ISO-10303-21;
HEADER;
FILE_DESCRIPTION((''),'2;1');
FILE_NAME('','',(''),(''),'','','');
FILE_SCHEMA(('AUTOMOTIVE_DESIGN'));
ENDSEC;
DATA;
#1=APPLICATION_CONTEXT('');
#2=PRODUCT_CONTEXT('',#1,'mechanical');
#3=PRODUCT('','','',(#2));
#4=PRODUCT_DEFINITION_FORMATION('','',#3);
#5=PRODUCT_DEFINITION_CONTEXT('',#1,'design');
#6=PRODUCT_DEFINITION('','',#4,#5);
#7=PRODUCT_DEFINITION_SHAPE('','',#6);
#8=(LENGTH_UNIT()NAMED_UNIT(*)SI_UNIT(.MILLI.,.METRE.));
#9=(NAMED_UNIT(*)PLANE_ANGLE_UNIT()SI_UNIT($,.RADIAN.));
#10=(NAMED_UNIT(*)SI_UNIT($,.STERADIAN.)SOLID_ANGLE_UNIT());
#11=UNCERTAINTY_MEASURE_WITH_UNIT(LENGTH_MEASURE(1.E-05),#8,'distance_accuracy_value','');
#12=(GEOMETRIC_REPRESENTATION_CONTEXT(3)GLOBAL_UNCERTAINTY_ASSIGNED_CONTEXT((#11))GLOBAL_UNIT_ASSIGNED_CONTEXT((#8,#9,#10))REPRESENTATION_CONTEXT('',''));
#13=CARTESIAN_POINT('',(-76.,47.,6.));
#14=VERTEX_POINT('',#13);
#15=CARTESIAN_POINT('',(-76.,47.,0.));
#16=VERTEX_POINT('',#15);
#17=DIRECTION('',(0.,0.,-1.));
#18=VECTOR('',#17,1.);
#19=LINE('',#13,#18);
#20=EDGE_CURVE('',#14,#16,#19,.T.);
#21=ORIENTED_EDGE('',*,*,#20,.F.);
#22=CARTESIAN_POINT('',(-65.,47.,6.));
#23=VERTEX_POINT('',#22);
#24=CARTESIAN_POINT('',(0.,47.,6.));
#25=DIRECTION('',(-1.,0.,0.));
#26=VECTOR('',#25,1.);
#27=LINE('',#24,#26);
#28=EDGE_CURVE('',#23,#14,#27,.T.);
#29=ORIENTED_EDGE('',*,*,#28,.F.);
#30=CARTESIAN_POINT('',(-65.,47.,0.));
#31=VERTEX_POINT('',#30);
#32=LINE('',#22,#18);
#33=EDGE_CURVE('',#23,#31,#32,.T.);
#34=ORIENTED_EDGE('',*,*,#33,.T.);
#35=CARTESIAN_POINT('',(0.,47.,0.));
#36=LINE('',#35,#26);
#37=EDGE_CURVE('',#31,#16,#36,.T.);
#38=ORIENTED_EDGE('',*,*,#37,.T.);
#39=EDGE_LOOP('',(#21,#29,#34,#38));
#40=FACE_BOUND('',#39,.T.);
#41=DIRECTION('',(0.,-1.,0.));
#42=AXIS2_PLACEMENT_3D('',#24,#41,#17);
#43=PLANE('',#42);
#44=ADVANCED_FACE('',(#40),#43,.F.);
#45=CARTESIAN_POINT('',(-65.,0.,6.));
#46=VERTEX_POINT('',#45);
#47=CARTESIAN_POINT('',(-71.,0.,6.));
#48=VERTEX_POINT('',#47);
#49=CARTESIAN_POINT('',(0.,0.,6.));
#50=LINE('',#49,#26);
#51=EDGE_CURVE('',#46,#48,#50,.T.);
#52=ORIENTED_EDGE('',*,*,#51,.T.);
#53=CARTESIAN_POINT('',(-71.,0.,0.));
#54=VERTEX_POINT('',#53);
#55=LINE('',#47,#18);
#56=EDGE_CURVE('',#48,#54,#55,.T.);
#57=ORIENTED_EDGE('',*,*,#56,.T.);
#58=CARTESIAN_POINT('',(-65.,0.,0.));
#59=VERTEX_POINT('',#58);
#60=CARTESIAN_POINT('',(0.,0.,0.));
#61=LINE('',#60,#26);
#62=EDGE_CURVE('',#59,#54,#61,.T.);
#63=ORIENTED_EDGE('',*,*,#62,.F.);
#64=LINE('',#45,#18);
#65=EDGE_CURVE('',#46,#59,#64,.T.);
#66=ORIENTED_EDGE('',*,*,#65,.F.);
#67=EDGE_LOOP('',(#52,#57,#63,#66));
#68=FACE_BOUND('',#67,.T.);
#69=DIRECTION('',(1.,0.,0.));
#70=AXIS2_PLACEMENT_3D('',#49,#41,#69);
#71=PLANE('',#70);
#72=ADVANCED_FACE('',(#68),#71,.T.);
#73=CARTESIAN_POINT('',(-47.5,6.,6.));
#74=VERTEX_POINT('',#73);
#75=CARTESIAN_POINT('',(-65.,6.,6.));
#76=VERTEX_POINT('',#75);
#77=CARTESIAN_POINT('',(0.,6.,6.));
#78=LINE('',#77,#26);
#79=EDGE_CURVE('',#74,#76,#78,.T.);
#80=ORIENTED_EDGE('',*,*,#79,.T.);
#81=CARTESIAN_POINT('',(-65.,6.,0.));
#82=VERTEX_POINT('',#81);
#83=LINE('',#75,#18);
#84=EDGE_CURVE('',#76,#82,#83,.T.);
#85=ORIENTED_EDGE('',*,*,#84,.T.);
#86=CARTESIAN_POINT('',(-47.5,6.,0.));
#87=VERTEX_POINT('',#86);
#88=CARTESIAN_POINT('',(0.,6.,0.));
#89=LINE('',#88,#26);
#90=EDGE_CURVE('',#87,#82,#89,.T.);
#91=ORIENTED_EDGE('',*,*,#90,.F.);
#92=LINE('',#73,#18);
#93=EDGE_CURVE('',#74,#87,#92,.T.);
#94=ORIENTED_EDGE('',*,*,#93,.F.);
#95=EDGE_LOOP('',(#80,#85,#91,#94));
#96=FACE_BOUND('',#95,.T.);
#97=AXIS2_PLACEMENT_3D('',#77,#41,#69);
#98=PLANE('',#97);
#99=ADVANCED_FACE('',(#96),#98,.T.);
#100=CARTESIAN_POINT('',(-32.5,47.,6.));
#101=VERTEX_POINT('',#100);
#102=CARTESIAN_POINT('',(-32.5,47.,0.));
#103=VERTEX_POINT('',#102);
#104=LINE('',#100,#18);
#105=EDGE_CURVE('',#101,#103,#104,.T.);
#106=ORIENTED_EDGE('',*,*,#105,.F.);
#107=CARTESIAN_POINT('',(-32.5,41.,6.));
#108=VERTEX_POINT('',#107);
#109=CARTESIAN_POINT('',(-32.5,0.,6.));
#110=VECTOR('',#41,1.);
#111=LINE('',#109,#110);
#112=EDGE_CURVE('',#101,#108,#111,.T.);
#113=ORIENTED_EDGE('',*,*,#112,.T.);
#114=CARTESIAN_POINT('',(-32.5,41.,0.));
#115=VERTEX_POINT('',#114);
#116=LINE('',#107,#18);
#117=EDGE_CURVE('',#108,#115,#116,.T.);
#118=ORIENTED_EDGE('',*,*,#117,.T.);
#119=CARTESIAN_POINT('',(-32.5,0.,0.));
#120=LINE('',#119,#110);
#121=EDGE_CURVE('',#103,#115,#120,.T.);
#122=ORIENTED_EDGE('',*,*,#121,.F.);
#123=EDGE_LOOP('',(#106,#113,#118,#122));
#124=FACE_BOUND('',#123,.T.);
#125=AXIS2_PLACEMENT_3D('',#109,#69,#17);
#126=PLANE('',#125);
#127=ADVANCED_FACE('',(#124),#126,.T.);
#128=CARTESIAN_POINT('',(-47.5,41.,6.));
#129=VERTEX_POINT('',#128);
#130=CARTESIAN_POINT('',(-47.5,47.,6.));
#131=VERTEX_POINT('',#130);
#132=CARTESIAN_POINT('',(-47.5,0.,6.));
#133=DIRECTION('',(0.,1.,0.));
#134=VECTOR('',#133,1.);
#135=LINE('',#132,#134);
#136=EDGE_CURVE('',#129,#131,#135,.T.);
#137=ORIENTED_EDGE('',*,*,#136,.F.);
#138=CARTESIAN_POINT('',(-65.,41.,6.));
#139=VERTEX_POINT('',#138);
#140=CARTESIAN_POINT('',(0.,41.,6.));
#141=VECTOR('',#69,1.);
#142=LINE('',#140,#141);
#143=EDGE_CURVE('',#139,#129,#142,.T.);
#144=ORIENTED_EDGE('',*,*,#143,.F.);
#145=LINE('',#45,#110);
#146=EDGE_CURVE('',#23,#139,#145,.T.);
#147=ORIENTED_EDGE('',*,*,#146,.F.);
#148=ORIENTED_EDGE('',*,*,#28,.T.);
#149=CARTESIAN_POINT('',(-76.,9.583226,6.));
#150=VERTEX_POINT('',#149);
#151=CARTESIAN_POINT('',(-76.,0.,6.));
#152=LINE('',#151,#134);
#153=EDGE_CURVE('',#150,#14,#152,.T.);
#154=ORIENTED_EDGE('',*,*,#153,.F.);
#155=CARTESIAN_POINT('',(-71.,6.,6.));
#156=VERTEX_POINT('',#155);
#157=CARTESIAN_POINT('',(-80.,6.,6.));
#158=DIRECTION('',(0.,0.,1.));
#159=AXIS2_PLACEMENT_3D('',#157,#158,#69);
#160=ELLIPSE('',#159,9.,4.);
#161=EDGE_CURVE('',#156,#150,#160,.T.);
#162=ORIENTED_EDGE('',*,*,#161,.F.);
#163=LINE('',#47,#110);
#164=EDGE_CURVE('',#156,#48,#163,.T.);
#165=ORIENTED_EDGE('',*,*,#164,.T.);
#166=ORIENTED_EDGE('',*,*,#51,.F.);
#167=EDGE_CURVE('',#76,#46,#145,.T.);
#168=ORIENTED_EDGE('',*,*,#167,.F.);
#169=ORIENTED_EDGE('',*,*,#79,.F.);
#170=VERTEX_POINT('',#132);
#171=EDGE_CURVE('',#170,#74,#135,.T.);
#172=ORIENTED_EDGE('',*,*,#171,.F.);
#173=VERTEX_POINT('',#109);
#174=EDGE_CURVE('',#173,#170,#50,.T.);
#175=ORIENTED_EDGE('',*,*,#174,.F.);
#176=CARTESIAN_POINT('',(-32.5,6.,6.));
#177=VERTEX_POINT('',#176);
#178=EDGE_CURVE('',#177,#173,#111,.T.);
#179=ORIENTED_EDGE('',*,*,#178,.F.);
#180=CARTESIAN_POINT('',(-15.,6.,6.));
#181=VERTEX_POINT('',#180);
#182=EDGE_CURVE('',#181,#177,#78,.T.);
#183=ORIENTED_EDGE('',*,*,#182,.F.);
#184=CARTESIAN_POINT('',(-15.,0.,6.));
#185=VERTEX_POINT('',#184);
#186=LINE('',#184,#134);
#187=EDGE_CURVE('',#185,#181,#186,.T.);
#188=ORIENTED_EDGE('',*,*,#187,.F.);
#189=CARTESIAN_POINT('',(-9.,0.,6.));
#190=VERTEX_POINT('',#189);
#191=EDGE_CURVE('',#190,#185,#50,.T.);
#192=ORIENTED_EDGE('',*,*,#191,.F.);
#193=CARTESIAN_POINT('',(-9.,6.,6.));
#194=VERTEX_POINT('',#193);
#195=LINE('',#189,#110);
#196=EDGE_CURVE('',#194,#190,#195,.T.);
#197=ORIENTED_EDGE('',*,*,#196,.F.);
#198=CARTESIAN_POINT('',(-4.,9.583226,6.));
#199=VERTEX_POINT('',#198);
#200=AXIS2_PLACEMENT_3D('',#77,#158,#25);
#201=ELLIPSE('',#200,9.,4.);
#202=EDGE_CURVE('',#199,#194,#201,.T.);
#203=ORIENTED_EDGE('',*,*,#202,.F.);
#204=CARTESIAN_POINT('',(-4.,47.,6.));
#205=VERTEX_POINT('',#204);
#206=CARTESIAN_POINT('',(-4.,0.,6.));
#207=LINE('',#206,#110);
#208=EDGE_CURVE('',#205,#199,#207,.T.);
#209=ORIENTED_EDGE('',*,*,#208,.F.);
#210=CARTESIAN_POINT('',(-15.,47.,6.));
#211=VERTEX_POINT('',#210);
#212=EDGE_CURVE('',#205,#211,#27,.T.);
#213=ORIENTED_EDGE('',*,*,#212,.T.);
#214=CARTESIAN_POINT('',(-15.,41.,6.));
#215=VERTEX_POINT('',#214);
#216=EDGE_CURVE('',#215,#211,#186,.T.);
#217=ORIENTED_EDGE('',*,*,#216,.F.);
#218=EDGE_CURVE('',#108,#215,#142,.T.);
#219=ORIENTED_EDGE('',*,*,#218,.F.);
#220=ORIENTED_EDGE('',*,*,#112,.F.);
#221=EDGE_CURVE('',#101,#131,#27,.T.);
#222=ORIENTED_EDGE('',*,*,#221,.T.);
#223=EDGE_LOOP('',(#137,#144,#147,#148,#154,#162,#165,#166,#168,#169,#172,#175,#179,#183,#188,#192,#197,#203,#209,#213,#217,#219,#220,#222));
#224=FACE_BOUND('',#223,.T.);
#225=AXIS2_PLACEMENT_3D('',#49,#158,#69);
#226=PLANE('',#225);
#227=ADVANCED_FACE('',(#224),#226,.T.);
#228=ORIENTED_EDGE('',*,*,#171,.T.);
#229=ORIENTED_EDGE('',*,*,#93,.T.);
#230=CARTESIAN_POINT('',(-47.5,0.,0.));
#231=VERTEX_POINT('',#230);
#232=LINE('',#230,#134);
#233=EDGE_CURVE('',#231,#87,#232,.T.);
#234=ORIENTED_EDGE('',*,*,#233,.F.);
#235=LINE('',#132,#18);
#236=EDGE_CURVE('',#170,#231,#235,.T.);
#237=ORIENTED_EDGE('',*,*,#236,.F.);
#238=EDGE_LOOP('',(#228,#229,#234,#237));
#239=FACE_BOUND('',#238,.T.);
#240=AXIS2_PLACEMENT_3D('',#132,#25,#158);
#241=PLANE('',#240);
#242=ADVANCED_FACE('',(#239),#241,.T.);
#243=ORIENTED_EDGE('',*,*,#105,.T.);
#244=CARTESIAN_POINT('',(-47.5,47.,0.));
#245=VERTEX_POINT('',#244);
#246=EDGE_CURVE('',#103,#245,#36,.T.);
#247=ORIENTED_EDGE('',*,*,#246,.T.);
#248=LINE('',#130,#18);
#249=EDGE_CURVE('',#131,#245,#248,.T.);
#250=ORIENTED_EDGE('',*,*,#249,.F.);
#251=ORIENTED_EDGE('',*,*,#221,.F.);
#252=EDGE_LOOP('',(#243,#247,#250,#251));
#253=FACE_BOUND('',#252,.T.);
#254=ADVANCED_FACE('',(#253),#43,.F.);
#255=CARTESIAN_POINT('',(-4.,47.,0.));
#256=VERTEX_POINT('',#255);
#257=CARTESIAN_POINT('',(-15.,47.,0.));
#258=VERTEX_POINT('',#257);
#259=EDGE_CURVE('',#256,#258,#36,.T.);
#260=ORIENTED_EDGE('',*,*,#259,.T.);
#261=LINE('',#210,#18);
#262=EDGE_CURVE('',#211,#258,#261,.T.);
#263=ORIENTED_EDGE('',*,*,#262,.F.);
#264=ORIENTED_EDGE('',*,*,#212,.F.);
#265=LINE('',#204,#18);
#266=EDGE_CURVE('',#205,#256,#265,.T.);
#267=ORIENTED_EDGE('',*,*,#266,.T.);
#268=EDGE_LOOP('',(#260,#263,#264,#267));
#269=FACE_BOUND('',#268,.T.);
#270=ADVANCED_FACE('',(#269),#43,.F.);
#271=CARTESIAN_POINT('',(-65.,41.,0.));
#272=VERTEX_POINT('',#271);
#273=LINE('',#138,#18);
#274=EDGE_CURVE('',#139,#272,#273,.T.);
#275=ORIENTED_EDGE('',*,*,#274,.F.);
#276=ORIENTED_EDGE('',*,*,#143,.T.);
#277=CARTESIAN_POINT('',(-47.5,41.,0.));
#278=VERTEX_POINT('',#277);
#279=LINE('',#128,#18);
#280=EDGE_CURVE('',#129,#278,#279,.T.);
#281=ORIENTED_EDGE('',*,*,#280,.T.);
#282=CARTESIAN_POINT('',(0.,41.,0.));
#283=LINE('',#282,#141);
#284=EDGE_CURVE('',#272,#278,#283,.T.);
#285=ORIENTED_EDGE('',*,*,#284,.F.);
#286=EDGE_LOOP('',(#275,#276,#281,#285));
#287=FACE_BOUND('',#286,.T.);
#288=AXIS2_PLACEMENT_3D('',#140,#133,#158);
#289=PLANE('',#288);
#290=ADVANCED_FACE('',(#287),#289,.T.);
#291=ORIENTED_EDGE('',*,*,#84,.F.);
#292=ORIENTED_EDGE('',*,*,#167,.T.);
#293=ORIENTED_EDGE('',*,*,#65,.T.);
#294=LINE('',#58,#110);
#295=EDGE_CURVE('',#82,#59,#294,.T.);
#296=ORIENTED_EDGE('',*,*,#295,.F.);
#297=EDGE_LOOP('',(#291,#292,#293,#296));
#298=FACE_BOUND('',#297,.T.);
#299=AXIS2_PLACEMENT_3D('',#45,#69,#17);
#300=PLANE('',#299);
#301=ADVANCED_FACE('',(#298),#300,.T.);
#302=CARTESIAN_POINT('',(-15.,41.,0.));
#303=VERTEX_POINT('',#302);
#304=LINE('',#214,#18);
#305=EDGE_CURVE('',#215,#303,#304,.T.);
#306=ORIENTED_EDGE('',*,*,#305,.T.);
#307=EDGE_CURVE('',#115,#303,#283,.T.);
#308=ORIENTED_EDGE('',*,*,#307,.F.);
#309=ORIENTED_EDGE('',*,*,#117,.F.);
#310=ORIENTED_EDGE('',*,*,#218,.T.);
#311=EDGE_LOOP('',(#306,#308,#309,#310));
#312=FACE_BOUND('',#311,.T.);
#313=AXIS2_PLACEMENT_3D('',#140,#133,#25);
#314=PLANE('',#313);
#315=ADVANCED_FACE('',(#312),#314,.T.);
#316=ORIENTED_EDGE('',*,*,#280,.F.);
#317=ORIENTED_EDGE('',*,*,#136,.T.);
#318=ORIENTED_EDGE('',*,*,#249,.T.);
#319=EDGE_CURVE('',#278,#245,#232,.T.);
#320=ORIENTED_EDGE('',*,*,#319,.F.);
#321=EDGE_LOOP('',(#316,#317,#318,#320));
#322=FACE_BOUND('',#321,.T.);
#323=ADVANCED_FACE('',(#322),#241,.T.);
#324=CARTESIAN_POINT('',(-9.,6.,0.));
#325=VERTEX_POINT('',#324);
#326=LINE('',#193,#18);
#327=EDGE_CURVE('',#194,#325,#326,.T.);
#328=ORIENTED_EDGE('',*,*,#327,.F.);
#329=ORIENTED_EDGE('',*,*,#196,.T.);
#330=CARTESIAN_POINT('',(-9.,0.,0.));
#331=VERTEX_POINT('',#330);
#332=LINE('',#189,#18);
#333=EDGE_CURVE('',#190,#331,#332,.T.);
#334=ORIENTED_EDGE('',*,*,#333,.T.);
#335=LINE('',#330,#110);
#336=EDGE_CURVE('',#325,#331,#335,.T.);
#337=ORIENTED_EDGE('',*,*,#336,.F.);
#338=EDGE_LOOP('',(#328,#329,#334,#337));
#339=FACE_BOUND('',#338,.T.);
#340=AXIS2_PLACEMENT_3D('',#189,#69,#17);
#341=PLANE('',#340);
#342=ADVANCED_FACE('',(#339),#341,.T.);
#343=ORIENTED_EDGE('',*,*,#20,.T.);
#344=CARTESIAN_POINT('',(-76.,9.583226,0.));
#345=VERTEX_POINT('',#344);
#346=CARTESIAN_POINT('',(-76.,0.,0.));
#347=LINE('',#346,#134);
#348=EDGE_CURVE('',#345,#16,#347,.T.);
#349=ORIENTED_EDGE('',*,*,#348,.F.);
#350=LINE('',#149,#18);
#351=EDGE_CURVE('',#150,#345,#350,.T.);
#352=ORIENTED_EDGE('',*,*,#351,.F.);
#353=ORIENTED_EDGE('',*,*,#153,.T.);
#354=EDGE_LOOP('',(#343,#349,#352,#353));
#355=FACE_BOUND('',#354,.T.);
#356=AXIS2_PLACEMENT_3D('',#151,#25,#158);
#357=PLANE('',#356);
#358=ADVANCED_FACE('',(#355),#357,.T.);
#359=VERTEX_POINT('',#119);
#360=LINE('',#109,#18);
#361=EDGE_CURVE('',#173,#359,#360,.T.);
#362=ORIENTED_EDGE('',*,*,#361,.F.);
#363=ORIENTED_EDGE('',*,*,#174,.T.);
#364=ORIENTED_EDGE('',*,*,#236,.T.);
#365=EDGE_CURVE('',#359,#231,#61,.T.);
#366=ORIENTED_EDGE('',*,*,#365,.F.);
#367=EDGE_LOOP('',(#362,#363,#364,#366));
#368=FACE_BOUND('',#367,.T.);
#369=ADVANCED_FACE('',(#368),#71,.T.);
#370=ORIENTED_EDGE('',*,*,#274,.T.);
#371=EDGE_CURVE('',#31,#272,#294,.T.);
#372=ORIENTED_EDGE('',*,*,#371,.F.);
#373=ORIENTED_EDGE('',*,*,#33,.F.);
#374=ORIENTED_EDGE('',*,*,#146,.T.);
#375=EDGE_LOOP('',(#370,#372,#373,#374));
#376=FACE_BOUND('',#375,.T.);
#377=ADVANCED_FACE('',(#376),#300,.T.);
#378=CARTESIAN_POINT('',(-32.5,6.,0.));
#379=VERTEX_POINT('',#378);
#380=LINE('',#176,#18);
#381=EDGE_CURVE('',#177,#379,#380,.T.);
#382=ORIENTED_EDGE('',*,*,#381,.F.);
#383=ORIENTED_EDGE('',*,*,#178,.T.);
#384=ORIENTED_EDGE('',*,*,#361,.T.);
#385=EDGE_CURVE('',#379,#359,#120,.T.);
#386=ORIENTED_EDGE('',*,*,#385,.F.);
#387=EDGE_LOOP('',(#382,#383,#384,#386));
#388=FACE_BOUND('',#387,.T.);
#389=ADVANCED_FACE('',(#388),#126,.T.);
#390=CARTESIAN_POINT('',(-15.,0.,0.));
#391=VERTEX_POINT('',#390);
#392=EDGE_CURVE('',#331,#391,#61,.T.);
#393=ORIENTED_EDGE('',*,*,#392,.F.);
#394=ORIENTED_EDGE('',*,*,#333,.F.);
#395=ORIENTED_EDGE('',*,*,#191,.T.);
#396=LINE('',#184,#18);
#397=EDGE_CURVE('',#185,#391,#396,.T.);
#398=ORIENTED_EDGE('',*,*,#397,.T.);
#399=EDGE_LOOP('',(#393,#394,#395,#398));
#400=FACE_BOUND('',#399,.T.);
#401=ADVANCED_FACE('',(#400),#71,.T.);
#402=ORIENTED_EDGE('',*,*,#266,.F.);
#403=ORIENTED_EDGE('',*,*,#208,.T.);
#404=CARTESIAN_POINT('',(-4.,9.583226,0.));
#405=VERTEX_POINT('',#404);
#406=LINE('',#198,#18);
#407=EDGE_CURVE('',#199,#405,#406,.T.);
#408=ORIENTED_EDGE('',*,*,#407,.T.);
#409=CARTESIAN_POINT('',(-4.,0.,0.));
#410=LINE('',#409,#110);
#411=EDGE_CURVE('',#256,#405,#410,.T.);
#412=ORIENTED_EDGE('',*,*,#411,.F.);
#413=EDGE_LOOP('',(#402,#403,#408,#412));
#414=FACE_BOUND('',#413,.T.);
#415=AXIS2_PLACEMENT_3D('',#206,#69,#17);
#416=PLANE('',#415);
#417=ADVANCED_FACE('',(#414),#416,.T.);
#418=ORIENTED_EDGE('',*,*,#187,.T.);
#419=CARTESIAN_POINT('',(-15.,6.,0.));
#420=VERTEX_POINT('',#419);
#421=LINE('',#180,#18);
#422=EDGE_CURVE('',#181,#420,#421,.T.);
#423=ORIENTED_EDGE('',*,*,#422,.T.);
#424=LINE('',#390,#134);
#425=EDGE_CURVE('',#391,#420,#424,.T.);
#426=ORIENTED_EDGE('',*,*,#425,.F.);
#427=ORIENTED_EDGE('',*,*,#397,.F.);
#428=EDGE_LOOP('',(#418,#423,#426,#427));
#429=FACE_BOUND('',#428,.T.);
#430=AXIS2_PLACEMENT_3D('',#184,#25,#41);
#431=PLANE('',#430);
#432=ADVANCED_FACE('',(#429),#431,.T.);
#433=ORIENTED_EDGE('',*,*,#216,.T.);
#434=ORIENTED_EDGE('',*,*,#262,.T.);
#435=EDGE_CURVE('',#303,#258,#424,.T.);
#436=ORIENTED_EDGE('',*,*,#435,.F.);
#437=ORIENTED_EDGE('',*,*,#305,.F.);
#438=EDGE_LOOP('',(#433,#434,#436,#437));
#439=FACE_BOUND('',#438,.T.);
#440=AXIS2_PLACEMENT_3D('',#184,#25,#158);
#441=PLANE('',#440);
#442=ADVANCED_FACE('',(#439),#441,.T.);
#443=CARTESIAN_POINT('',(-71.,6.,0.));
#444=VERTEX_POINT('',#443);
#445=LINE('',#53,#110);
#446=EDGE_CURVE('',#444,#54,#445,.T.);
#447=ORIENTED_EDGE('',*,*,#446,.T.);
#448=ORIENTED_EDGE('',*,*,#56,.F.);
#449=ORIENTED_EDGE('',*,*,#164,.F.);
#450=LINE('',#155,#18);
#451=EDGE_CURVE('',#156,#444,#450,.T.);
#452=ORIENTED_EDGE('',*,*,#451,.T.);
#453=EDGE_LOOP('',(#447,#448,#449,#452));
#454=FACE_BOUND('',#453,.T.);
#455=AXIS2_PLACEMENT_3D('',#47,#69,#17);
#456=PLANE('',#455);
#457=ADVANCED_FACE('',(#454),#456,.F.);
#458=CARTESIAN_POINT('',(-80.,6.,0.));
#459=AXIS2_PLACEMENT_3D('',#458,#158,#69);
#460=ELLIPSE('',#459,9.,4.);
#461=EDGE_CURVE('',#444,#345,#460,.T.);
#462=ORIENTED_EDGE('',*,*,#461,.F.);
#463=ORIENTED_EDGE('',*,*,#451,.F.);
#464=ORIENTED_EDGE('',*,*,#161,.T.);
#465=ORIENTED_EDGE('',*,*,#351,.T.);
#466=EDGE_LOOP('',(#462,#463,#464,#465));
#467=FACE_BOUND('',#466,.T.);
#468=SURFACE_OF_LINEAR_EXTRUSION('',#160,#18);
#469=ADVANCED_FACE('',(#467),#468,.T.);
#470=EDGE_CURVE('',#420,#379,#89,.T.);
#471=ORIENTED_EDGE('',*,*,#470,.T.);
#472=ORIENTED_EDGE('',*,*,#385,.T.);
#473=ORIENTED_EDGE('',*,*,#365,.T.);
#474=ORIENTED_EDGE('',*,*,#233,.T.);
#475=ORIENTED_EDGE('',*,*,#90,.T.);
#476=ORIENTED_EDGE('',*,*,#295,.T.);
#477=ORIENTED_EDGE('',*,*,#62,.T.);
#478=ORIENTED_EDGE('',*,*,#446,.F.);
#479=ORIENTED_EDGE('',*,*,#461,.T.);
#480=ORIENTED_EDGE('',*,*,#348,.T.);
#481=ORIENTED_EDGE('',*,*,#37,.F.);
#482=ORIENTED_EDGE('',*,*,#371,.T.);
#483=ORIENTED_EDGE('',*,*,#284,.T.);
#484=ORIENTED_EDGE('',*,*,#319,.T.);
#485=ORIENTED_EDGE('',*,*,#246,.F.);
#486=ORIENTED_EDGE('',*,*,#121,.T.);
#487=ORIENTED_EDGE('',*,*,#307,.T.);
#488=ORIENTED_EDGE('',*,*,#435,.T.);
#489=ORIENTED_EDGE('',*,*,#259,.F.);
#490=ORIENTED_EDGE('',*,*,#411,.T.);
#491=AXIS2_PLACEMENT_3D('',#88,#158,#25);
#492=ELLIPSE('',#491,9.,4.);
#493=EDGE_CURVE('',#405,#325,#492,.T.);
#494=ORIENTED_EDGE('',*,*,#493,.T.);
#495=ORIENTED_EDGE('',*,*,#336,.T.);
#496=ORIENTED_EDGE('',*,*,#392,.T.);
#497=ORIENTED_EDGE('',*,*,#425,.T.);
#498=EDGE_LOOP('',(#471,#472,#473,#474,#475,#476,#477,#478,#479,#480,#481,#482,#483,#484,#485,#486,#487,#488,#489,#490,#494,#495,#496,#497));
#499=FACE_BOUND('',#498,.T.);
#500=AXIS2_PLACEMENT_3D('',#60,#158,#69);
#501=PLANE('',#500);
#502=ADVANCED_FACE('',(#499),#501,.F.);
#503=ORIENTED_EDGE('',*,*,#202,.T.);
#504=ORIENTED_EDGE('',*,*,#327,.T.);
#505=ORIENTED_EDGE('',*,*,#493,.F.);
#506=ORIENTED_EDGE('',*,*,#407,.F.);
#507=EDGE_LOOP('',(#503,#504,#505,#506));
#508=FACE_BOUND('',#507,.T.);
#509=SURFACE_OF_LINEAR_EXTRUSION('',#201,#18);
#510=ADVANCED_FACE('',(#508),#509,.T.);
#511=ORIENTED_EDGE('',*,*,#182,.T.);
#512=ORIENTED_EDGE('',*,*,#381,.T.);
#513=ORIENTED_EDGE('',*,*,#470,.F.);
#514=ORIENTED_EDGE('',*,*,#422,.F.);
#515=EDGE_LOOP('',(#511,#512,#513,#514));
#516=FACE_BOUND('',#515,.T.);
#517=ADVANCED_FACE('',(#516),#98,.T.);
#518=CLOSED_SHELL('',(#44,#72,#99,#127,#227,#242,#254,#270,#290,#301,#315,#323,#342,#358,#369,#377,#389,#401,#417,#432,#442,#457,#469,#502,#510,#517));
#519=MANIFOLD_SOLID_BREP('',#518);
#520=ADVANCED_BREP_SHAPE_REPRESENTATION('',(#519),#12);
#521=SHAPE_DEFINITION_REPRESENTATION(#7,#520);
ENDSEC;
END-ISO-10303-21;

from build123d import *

# Parameters (mm, degrees)
BOSS_EXTRUDE1_DEPTH = 6


with BuildPart() as part:
    # Sketch2 → Boss-Extrude1 (new body)
    with BuildSketch(Plane.XY):
        with BuildLine():
            Line((-15, 0), (-9, 0))
            Line((-9, 0), (-9, 6))
            add(Edge.make_bspline(
                [(-4, 9.583225666), (-9, 8.480694692), (-9, 6)],
                knots=[5.172942972, 5.172942972, 5.172942972, 6.283185307, 6.283185307, 6.283185307], degree=2, weights=[1, 0.849836586, 1]))
            Line((-4, 9.583225666), (-4, 41))
            Line((-4, 41), (-4, 47))
            Line((-4, 47), (-15, 47))
            Line((-15, 47), (-15, 41))
            Line((-15, 41), (-32.5, 41))
            Line((-32.5, 41), (-32.5, 47))
            Line((-32.5, 47), (-47.5, 47))
            Line((-47.5, 47), (-47.5, 41))
            Line((-47.5, 41), (-65, 41))
            Line((-65, 41), (-65, 47))
            Line((-65, 47), (-76, 47))
            Line((-76, 47), (-76, 41))
            Line((-76, 41), (-76, 9.583225666))
            add(Edge.make_bspline(
                [(-71, 6), (-71, 8.480694692), (-76, 9.583225666)],
                knots=[0, 0, 0, 1.110242335, 1.110242335, 1.110242335], degree=2, weights=[1, 0.849836586, 1]))
            Line((-71, 6), (-71, 0))
            Line((-71, 0), (-65, 0))
            Line((-65, 0), (-65, 6))
            Line((-65, 6), (-47.5, 6))
            Line((-47.5, 6), (-47.5, 0))
            Line((-47.5, 0), (-32.5, 0))
            Line((-32.5, 0), (-32.5, 6))
            Line((-32.5, 6), (-15, 6))
            Line((-15, 6), (-15, 0))
        make_face()
    extrude(amount=BOSS_EXTRUDE1_DEPTH)


solid = part.part
